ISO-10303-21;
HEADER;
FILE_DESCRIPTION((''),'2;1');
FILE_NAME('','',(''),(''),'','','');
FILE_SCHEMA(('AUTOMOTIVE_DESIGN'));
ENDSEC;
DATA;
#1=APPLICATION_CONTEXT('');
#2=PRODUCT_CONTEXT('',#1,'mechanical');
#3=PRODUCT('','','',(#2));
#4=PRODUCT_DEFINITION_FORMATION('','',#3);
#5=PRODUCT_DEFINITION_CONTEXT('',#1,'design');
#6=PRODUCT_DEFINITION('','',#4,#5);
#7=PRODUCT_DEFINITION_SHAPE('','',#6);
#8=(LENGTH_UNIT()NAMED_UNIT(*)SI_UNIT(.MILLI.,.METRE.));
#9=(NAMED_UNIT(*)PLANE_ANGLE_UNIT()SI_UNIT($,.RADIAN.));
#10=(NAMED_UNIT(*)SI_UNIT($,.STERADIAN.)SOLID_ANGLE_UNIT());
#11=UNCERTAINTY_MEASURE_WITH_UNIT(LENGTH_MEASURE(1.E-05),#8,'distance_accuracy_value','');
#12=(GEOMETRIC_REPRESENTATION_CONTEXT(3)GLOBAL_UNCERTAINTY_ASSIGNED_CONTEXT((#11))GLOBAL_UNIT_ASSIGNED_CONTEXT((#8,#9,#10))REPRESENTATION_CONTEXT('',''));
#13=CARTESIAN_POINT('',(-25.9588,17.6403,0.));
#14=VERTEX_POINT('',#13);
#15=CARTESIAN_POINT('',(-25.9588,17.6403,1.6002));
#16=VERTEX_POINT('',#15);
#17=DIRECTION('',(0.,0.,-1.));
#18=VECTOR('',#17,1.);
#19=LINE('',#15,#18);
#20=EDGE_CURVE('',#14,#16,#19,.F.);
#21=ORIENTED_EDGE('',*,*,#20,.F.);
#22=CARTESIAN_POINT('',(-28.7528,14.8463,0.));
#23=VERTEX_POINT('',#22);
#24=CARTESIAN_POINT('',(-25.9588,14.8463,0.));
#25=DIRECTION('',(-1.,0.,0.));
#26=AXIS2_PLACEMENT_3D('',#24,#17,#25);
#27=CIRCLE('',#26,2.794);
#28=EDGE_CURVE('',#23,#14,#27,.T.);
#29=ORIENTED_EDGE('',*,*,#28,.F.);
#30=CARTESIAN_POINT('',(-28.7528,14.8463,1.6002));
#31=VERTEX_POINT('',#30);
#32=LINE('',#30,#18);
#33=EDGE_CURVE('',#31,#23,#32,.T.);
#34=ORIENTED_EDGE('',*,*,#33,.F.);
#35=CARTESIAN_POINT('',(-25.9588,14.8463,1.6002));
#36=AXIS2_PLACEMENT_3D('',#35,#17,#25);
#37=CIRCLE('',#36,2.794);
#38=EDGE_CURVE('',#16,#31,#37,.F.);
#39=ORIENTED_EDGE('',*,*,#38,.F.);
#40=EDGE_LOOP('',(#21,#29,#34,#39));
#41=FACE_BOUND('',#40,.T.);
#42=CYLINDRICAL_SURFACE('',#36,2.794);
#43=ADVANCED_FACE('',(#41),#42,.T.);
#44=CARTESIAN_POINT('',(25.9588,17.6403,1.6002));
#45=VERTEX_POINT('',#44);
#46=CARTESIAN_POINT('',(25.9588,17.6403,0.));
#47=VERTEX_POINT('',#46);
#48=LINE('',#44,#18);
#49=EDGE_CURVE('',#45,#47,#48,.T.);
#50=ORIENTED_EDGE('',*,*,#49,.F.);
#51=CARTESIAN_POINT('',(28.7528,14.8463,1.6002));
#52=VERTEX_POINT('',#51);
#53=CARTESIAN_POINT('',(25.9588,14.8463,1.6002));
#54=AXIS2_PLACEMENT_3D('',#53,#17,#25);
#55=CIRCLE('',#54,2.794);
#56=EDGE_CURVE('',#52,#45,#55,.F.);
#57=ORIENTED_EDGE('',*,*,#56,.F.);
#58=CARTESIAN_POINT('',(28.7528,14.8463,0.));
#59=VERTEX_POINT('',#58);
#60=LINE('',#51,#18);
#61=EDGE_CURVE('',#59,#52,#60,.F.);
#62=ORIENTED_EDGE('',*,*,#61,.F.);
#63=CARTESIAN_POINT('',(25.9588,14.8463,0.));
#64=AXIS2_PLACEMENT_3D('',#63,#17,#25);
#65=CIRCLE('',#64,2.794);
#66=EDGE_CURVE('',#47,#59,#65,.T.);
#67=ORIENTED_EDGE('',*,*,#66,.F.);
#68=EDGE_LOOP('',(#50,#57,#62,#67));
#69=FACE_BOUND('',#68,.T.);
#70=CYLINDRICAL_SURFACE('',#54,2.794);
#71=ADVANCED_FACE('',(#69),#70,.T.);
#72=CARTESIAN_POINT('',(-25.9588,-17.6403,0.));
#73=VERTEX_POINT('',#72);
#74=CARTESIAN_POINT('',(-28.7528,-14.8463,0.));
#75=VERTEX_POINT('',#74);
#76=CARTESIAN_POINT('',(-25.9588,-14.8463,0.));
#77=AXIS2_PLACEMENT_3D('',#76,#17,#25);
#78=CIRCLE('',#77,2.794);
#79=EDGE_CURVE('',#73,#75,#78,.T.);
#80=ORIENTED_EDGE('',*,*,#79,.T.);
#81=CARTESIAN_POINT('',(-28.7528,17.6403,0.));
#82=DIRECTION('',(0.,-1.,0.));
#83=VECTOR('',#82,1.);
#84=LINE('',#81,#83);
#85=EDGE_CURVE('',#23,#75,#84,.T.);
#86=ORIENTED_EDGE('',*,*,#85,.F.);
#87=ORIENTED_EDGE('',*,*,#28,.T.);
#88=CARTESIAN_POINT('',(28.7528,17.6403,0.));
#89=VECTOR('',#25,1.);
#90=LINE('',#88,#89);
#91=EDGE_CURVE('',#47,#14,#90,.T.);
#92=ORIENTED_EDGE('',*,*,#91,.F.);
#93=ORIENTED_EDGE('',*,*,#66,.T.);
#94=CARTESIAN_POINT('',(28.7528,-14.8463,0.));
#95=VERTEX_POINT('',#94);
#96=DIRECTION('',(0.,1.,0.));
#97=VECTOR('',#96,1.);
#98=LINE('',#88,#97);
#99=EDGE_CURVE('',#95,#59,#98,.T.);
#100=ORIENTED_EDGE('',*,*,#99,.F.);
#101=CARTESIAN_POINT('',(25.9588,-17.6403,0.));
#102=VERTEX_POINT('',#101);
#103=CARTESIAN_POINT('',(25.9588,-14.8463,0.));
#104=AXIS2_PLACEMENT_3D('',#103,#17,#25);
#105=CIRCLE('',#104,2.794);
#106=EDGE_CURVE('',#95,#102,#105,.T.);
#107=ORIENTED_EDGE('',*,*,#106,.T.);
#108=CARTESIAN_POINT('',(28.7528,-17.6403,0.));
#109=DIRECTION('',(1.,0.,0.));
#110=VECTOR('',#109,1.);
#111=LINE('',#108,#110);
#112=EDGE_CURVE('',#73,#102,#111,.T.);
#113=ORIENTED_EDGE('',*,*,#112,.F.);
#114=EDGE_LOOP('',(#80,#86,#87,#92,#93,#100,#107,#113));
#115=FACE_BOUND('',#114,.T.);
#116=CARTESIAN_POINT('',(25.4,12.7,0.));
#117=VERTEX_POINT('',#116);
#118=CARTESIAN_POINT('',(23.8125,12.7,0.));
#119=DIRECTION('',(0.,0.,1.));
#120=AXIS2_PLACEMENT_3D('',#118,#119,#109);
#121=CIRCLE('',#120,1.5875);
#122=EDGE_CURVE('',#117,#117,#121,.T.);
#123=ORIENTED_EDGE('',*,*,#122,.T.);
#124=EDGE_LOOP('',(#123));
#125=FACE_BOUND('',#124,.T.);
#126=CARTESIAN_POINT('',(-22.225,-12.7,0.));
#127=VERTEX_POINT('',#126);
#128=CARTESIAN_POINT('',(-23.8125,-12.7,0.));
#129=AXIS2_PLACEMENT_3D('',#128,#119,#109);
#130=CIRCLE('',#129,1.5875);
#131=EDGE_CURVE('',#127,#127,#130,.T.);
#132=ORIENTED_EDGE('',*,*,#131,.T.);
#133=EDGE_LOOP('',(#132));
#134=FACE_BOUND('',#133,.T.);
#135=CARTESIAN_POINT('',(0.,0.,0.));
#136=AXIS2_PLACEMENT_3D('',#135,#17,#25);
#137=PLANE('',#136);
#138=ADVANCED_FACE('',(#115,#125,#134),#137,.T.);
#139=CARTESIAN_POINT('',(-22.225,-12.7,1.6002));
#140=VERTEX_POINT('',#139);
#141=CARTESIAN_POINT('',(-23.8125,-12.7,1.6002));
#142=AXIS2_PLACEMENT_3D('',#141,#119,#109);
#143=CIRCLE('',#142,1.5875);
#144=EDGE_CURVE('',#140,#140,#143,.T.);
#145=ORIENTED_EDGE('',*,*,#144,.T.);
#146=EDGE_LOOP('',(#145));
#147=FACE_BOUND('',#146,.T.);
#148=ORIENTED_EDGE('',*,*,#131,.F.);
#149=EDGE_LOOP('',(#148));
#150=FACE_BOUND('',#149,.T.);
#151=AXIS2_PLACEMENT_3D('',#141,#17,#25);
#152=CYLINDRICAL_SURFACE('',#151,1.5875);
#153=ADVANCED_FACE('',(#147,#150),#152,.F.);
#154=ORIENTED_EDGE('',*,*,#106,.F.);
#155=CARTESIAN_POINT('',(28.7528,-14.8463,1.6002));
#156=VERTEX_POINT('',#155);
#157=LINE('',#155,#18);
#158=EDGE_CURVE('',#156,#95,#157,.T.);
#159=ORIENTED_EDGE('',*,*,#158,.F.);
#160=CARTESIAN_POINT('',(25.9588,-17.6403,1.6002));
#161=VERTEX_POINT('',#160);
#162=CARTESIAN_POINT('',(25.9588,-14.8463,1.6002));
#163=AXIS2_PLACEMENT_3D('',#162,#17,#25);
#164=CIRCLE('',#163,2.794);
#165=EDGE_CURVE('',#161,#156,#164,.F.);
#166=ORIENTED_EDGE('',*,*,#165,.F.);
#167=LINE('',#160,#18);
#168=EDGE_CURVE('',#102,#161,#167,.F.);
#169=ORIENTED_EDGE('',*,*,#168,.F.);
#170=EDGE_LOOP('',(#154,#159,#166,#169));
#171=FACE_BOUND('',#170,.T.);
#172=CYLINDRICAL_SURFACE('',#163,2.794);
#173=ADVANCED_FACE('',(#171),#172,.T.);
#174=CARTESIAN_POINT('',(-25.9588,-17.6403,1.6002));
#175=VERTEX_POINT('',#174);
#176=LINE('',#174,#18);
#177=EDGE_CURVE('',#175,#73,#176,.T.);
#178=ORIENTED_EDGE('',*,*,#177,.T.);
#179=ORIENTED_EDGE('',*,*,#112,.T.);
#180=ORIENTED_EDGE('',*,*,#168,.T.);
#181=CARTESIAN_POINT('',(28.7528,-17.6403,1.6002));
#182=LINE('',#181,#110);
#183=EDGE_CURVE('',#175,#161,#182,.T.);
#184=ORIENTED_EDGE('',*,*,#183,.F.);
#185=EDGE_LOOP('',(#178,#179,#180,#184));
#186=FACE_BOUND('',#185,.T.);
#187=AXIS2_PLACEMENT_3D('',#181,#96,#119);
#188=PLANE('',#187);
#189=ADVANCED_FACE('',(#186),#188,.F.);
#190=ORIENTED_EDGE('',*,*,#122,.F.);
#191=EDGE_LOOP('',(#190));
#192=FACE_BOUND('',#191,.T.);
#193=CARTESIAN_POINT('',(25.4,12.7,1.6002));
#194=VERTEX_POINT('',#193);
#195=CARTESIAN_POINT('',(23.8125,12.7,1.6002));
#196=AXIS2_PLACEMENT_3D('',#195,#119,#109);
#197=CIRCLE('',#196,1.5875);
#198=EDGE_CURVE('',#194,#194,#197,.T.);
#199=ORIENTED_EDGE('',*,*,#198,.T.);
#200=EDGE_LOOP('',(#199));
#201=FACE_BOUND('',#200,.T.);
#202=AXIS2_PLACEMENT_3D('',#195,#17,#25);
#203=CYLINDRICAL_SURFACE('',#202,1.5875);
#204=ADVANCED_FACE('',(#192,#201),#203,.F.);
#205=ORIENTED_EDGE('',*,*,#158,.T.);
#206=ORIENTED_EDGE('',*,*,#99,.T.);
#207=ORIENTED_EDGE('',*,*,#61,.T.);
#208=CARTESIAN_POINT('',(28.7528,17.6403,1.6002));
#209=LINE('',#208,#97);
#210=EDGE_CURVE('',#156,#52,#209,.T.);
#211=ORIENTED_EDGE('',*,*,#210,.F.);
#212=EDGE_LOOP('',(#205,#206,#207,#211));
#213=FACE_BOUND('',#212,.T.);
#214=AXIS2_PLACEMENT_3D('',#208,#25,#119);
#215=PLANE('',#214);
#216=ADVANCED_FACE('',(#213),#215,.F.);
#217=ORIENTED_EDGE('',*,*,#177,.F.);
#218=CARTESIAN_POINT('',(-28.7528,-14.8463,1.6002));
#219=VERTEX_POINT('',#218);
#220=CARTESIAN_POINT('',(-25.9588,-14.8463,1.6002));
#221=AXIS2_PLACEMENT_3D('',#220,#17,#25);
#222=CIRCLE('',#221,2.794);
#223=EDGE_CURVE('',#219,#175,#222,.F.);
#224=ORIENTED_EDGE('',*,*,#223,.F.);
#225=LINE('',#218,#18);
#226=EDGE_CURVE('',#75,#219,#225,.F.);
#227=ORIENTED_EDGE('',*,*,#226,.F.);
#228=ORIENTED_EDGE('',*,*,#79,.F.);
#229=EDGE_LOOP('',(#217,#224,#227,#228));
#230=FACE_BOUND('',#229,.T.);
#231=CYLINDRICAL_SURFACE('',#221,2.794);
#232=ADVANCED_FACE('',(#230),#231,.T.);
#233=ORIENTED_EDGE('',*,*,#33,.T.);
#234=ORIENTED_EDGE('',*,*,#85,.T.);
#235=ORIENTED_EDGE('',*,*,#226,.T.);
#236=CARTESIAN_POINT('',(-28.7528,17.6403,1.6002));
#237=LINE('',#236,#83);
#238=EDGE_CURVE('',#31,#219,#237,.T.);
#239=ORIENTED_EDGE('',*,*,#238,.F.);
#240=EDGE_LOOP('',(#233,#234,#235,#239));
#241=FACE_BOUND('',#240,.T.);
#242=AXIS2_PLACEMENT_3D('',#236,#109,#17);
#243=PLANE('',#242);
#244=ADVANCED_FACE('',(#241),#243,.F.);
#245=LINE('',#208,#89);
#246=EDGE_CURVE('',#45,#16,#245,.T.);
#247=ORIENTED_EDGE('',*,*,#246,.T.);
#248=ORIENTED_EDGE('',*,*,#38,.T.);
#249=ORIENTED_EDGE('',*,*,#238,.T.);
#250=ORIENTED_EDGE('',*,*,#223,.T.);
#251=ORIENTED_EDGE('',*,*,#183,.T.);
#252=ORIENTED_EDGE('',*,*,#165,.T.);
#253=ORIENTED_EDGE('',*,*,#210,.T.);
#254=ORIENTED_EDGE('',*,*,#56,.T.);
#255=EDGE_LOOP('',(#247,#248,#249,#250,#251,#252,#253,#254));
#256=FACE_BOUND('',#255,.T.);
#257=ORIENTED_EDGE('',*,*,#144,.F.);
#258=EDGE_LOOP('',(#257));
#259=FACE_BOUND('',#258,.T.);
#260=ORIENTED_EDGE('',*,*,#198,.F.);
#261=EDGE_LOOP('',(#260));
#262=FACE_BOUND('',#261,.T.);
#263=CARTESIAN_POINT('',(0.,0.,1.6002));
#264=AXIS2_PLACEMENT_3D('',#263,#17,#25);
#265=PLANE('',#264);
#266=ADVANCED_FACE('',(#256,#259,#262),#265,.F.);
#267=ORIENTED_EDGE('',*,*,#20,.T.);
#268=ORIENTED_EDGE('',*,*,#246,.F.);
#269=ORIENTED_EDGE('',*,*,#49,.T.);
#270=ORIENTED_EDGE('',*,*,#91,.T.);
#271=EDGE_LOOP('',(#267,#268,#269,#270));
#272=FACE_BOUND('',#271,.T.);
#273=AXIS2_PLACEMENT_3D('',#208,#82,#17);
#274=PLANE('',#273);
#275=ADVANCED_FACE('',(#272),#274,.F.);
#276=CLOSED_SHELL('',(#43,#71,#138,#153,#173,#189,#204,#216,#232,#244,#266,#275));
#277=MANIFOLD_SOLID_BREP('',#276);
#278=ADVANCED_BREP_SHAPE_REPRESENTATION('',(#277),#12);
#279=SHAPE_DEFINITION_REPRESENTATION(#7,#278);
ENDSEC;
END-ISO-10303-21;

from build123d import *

# Parameters (mm, degrees)
SKETCH1_W           = 57.5056
SKETCH1_H           = 35.2806
SKETCH1_R           = 1.5875
BOSS_EXTRUDE1_DEPTH = 1.6002
FILLET1_R           = 2.794


with BuildPart() as part:
    # Sketch1 → Boss-Extrude1 (new body)
    with BuildSketch(Plane.XY):
        Rectangle(SKETCH1_W, SKETCH1_H)
        with Locations((-23.8125, -12.7)):
            Circle(SKETCH1_R, mode=Mode.SUBTRACT)
        with Locations((23.8125, 12.7)):
            Circle(SKETCH1_R, mode=Mode.SUBTRACT)
    extrude(amount=BOSS_EXTRUDE1_DEPTH)

    # Fillet1
    fillet1_edges = [part.edges().sort_by_distance(p)[0] for p in [
        (-28.7528, 17.6403, 0.8001),
        (28.7528, 17.6403, 0.8001),
        (28.7528, -17.6403, 0.8001),
        (-28.7528, -17.6403, 0.8001),
    ]]
    fillet(fillet1_edges, radius=FILLET1_R)


solid = part.part
